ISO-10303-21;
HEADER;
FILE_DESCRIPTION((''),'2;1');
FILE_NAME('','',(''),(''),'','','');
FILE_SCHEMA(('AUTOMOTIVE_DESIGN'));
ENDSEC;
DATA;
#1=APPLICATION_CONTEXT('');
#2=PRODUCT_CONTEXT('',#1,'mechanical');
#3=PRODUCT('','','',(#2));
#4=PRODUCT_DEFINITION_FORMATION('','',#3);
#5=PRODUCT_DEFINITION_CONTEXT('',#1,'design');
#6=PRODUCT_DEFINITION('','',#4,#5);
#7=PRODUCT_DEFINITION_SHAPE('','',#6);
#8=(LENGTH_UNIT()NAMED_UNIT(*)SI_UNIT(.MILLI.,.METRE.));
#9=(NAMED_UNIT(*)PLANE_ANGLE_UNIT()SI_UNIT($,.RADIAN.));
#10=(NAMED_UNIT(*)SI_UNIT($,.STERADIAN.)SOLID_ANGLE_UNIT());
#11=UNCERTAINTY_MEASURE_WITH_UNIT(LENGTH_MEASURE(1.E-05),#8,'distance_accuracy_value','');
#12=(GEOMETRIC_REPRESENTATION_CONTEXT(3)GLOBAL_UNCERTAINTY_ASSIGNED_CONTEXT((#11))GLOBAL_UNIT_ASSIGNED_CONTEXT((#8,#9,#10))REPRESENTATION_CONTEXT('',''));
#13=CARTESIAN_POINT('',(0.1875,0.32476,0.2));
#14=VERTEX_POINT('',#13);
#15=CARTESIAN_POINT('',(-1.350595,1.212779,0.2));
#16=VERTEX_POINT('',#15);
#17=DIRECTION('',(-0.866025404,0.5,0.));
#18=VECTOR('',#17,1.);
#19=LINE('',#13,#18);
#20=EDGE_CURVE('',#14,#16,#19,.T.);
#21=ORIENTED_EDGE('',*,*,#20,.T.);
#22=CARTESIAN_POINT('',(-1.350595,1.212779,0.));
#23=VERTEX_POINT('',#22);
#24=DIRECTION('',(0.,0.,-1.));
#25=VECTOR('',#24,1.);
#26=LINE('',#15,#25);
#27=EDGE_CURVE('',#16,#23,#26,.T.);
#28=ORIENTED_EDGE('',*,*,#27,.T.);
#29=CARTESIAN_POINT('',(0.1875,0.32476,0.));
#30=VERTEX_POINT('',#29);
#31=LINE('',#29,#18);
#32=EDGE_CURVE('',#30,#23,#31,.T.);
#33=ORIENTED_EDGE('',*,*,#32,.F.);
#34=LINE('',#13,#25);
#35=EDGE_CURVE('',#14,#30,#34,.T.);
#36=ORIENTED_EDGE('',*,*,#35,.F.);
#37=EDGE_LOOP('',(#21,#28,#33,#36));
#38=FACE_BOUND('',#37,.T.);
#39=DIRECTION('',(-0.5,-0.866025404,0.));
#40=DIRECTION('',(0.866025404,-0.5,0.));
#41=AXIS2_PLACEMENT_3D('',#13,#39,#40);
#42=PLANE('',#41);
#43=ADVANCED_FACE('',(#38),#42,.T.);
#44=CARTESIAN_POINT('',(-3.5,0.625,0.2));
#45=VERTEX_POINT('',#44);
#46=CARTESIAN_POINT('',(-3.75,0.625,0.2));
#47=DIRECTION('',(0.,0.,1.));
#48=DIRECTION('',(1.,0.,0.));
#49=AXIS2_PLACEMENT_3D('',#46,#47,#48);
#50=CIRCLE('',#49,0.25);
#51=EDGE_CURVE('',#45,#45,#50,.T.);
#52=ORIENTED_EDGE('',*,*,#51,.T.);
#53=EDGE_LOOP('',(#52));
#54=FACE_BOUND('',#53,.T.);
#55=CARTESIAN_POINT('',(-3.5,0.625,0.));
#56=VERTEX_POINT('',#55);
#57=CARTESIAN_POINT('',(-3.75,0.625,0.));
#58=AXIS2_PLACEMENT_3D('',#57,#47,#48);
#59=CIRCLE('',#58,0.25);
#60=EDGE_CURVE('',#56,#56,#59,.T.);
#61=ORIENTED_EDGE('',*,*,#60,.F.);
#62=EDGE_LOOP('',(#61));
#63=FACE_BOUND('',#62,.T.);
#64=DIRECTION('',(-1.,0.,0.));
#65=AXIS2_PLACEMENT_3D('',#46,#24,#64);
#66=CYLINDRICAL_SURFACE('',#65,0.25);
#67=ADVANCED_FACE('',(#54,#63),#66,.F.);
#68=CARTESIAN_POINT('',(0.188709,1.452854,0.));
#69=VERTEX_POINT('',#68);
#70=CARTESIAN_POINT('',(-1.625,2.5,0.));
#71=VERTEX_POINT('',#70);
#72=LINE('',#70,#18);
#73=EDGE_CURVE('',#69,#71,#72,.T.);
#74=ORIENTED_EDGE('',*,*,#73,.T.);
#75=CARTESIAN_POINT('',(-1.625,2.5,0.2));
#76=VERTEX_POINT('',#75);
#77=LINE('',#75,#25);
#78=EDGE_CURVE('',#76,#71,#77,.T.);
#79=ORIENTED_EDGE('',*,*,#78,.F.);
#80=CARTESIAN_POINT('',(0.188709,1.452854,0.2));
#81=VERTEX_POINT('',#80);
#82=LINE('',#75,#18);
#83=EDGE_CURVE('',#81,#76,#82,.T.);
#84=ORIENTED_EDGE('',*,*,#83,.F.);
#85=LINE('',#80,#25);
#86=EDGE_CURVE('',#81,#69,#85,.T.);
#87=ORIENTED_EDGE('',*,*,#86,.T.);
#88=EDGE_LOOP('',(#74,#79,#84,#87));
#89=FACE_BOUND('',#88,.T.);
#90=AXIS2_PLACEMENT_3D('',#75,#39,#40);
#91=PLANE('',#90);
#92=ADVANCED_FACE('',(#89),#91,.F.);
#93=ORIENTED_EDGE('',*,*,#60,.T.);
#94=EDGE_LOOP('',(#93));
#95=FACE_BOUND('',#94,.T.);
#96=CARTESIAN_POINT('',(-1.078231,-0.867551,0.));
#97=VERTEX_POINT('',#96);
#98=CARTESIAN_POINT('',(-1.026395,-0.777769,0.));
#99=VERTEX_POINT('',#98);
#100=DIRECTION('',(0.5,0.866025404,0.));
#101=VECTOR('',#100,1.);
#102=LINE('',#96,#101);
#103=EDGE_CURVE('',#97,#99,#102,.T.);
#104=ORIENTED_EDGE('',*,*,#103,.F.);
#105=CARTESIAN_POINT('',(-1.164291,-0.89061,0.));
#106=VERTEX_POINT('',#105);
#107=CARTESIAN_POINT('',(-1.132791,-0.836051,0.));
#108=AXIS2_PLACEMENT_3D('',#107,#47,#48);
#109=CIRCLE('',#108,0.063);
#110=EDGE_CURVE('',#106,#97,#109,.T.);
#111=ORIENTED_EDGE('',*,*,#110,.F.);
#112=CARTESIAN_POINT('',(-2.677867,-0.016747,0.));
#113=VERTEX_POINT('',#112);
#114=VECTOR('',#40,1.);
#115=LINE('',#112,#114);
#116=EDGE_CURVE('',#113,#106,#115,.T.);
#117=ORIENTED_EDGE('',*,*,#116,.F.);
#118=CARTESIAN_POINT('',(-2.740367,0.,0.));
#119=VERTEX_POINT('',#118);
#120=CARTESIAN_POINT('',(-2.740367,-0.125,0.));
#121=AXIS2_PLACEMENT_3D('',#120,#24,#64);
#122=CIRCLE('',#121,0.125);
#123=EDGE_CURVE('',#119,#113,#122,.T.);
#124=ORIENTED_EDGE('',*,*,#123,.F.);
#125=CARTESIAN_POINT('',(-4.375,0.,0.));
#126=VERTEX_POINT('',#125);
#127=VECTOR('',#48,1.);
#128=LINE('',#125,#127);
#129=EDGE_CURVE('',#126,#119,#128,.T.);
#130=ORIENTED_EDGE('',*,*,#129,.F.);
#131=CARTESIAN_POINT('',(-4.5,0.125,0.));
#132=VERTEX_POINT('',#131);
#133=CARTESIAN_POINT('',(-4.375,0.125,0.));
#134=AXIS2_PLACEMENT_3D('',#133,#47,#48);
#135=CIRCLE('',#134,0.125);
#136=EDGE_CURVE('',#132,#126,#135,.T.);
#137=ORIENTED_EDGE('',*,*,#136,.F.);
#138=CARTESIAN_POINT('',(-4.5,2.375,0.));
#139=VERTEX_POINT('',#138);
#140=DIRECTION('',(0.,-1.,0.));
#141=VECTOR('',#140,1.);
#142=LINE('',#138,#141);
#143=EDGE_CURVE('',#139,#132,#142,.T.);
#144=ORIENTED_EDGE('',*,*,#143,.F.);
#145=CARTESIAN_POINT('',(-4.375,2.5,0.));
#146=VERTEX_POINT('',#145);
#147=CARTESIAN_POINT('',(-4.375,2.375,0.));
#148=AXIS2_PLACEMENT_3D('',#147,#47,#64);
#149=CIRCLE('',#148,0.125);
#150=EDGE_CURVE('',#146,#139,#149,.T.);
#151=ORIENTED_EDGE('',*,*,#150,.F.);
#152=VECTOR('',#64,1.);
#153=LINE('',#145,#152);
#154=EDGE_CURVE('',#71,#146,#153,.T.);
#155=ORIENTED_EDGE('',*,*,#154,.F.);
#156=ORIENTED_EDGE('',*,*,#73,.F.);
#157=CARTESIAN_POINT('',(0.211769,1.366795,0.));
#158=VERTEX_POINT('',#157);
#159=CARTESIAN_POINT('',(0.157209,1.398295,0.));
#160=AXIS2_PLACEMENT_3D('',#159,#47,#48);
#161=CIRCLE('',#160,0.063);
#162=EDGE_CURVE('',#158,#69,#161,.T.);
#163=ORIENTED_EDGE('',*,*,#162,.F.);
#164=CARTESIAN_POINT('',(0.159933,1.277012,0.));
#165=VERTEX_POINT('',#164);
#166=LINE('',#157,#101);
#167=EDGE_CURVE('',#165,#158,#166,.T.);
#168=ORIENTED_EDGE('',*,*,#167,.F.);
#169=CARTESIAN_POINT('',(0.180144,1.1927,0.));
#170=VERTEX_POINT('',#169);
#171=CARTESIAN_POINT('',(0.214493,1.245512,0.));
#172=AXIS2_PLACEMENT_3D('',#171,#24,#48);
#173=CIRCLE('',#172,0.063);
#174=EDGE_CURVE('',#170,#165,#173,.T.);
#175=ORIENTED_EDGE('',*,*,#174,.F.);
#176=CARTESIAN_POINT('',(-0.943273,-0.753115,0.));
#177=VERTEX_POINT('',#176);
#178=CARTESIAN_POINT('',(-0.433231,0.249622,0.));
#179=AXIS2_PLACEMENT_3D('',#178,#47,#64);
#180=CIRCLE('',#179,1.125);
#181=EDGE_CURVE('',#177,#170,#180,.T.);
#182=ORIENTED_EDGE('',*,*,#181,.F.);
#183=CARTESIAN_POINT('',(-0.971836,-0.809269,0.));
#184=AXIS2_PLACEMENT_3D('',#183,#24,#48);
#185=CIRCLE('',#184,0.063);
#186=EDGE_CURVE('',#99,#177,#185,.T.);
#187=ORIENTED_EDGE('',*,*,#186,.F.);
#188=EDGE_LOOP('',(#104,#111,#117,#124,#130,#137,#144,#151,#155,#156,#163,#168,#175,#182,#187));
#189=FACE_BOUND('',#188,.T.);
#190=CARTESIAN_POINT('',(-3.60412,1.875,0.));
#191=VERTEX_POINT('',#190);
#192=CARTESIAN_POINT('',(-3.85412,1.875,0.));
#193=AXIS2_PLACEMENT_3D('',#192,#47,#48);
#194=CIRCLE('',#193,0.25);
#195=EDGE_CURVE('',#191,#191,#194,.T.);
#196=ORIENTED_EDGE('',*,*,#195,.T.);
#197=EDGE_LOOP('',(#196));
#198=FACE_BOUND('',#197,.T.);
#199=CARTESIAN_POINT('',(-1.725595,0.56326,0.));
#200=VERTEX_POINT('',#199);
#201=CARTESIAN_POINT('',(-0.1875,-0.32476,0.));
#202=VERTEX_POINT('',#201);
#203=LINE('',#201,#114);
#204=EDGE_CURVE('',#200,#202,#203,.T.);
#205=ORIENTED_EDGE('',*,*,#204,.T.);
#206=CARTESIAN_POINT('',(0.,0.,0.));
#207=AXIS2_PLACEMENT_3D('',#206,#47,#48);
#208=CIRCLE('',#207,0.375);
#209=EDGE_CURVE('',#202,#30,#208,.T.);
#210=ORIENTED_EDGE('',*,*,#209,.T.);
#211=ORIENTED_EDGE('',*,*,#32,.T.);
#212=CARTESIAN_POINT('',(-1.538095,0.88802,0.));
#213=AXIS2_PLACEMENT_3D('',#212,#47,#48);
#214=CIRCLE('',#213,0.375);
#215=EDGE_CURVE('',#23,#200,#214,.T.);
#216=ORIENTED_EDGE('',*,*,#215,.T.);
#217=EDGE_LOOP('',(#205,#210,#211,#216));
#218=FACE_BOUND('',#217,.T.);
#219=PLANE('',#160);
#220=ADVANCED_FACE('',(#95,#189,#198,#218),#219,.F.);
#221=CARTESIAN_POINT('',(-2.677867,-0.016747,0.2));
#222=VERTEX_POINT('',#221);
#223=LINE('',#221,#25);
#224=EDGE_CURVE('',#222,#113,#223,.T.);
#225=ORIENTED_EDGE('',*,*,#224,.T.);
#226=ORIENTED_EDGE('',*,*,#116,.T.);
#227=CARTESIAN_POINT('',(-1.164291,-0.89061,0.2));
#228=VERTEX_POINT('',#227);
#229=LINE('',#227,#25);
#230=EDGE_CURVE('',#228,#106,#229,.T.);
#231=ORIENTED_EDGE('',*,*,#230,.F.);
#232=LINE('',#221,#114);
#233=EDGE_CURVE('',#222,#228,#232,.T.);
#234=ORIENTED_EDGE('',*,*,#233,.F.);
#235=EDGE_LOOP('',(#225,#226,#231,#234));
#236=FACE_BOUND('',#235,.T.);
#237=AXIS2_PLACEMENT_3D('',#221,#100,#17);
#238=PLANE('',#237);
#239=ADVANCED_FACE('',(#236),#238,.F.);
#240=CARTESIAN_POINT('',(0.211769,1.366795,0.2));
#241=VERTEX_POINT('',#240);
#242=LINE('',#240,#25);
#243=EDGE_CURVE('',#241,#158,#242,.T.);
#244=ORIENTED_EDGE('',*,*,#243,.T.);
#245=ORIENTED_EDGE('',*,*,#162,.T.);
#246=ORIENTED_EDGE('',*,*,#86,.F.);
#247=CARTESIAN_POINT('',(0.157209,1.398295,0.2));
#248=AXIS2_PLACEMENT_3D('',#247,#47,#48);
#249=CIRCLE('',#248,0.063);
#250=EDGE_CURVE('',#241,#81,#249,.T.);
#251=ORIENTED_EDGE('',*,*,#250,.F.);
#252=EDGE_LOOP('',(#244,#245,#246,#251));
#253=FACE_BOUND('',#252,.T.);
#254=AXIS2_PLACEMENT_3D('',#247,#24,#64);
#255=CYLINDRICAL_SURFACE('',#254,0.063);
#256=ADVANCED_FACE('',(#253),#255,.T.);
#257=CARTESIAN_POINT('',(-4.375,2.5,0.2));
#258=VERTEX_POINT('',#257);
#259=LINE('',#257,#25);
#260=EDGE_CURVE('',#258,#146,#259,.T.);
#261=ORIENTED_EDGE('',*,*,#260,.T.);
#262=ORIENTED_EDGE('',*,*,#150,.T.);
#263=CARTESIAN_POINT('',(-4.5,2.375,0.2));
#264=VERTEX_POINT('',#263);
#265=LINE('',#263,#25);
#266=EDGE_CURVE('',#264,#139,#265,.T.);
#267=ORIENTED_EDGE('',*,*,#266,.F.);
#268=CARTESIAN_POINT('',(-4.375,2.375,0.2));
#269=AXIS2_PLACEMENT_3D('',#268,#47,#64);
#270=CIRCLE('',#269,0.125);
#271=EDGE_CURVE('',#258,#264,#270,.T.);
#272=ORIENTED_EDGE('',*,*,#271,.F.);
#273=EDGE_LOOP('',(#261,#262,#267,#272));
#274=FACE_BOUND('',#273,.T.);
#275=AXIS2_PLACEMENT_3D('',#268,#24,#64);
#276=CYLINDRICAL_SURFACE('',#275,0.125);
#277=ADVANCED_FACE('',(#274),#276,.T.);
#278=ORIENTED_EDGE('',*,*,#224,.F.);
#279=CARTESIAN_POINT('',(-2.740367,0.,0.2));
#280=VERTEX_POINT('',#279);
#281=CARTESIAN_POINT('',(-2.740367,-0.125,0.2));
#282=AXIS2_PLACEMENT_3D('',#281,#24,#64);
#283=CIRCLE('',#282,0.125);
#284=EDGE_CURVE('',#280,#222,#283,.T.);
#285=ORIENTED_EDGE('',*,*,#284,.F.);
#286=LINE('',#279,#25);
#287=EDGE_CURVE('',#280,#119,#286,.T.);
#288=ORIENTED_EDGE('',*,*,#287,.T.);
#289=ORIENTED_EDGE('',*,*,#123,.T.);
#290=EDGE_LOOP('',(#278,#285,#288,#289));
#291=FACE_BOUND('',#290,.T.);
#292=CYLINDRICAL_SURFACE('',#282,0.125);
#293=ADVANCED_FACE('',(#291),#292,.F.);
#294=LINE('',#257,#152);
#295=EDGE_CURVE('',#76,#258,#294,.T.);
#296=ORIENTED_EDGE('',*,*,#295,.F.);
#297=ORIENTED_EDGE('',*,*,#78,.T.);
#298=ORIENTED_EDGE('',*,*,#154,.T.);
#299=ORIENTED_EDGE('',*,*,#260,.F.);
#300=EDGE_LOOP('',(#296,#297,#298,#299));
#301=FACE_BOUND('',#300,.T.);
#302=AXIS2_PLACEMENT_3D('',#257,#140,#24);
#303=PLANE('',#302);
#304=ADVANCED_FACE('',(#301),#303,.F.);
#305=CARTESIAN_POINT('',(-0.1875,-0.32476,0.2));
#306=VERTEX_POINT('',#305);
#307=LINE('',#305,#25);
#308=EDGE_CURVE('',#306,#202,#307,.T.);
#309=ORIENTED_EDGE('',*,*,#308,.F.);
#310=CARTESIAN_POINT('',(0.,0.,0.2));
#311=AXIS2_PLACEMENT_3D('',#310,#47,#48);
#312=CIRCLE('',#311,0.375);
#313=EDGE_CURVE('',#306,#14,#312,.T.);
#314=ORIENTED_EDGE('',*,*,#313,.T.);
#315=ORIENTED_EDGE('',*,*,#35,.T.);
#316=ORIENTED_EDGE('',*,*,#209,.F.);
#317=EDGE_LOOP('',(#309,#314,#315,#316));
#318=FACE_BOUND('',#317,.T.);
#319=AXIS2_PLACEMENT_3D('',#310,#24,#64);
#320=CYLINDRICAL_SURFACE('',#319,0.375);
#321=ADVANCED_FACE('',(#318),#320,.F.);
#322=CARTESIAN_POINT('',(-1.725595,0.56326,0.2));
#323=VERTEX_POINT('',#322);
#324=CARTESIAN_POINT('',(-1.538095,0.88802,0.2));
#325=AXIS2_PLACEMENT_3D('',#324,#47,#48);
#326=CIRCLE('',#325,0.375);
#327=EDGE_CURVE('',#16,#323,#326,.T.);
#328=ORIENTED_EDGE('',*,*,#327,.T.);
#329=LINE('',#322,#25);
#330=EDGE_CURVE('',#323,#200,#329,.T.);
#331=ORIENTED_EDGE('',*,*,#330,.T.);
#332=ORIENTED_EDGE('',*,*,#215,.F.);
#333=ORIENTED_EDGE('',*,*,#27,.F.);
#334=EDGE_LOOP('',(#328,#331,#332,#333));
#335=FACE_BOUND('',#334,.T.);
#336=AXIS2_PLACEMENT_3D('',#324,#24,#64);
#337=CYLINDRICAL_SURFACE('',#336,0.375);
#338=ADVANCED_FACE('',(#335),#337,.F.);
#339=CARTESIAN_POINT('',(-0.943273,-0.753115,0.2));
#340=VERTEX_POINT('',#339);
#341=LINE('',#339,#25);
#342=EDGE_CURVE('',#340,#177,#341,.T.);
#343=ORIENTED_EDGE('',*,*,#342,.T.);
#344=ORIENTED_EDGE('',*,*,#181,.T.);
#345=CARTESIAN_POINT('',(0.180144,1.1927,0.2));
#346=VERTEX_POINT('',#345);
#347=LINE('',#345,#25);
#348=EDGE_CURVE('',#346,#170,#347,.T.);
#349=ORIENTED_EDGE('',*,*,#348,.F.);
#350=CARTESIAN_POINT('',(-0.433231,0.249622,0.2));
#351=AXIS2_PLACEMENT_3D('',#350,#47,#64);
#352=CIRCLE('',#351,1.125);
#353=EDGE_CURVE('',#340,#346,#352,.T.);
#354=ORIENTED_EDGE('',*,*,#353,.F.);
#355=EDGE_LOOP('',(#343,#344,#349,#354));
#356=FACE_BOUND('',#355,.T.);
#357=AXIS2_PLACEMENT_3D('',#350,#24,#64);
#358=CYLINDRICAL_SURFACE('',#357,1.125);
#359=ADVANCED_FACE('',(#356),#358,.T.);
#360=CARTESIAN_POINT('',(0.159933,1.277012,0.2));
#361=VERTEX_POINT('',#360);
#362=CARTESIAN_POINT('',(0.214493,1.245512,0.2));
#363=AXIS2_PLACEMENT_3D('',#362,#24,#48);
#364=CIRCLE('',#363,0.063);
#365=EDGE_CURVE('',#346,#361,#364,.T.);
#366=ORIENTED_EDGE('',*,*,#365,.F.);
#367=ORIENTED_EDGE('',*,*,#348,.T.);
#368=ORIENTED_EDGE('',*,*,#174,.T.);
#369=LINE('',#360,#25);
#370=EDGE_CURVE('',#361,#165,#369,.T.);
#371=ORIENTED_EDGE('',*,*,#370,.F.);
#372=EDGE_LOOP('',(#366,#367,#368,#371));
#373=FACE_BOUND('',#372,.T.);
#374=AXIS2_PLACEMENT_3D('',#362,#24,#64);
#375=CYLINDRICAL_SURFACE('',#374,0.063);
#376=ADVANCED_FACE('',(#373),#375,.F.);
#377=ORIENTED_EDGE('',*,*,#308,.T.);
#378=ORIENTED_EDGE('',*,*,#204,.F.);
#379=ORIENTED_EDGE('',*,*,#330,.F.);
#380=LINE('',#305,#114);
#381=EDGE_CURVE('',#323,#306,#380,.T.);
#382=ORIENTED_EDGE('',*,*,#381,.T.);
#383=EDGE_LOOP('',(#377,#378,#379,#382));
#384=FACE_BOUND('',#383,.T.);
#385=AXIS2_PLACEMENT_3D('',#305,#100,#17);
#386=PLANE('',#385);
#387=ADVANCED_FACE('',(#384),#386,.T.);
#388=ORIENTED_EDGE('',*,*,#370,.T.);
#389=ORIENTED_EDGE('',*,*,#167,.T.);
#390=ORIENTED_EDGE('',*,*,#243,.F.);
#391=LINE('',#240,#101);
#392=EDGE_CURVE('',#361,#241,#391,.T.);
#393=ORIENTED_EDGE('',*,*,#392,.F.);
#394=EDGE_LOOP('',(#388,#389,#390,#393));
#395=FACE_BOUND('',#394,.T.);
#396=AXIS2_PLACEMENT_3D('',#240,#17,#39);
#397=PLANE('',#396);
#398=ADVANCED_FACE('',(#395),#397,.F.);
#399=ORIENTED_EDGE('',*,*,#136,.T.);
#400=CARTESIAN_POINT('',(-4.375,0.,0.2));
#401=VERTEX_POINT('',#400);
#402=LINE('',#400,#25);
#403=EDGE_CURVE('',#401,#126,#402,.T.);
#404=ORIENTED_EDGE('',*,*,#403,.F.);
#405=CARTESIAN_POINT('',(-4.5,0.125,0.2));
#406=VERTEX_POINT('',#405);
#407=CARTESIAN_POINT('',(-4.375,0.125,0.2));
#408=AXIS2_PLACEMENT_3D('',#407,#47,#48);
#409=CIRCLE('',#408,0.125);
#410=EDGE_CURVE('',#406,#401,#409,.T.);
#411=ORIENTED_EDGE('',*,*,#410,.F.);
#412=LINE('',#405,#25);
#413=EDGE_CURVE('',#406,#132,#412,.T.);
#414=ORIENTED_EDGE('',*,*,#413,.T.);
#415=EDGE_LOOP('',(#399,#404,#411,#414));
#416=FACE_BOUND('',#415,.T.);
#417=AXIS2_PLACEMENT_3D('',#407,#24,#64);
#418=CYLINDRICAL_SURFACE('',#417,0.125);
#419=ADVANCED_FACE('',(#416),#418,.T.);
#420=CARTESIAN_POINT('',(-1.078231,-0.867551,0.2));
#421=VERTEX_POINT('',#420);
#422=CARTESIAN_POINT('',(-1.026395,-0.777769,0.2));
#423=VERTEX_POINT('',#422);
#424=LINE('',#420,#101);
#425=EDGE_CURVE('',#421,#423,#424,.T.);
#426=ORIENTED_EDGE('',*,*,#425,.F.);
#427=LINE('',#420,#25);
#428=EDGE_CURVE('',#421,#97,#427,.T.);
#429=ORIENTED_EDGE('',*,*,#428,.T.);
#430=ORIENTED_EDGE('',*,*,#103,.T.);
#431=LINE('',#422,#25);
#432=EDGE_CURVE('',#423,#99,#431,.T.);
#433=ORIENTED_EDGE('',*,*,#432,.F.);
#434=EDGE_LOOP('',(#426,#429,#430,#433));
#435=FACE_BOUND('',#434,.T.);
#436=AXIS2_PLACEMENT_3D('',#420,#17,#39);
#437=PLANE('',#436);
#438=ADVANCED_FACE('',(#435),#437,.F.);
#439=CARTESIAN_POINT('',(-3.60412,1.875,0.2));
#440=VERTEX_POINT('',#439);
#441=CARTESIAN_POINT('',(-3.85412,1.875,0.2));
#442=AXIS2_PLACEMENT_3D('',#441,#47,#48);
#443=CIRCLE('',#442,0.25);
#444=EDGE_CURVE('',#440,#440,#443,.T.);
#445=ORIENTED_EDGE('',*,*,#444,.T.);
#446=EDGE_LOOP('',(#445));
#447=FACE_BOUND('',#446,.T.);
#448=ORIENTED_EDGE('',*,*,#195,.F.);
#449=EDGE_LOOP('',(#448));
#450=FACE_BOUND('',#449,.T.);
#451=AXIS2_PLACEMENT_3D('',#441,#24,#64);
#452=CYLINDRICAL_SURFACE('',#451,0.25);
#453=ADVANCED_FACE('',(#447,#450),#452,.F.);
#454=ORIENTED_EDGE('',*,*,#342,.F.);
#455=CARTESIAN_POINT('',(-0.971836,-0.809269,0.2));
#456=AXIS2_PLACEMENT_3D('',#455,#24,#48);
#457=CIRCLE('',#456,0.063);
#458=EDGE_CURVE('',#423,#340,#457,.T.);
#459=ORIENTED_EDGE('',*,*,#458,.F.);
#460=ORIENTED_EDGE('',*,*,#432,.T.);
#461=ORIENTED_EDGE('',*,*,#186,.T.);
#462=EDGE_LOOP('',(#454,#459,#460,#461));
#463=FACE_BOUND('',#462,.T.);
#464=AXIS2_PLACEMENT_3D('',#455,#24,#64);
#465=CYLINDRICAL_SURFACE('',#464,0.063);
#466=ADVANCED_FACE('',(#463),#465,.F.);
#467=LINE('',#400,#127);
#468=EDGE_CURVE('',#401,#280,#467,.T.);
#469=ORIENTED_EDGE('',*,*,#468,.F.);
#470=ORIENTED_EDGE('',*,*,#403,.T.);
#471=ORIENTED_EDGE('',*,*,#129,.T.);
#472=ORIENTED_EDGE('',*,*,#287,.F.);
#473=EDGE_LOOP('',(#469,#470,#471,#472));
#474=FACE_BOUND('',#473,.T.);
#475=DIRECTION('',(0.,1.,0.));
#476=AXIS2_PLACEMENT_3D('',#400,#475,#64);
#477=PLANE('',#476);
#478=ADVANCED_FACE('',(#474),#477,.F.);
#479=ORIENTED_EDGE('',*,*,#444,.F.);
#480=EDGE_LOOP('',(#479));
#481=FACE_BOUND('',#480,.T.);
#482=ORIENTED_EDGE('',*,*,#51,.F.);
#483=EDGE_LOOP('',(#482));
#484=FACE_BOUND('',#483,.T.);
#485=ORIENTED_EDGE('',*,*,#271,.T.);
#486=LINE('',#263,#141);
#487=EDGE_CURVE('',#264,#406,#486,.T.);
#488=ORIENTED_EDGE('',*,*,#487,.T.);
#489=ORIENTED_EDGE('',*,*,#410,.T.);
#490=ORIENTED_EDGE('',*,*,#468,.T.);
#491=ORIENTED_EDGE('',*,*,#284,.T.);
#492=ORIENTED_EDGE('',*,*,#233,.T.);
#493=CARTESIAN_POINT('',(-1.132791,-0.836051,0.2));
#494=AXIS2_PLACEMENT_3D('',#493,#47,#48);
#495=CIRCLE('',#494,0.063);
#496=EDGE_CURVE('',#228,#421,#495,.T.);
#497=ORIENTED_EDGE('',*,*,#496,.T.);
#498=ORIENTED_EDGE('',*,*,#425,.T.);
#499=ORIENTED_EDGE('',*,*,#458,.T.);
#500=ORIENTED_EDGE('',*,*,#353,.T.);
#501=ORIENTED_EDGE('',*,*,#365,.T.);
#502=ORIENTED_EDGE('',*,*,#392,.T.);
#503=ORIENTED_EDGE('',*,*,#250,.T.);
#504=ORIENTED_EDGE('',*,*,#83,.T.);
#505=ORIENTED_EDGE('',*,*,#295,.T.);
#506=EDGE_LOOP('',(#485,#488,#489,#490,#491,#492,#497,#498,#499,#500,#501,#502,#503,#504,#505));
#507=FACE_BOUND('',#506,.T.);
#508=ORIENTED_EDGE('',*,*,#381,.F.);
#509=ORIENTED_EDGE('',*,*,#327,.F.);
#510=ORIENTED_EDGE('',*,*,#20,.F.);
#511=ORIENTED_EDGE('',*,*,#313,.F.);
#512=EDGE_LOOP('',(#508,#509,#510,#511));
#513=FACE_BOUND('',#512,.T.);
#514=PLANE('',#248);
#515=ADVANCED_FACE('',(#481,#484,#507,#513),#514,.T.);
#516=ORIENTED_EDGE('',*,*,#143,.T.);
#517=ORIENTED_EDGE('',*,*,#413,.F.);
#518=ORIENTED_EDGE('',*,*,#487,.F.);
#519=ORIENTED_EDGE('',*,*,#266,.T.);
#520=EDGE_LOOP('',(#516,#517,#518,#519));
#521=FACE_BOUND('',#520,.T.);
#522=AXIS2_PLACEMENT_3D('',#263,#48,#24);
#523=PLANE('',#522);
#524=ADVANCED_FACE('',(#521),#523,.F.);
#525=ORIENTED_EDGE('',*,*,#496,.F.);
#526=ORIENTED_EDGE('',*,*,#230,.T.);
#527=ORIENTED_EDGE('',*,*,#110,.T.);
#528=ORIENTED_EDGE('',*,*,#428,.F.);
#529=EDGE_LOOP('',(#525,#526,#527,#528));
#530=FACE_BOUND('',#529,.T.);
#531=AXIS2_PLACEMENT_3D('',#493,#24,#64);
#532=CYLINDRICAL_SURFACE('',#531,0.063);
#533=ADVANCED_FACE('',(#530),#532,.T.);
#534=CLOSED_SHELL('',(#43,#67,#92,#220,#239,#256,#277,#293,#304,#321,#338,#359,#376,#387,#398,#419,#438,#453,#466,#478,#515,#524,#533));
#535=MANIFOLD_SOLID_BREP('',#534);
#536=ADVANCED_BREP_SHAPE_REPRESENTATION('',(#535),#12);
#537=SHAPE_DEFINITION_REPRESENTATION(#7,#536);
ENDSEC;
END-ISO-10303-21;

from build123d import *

# Parameters (mm, degrees)
SKETCH1_R           = 0.25
BOSS_EXTRUDE5_DEPTH = 0.2


with BuildPart() as part:
    # Sketch1 → Boss-Extrude5 (new body)
    with BuildSketch(Plane.XY):
        with BuildLine():
            Line((-4.5, 2.375), (-4.5, 0.125))
            ThreePointArc((-4.5, 0.125), (-4.463388348, 0.036611652), (-4.375, 0))
            Line((-4.375, 0), (-2.74036663, 0))
            ThreePointArc((-2.74036663, 0), (-2.708014249, -0.004259272), (-2.67786663, -0.016746825))
            Line((-2.67786663, -0.016746825), (-1.164290548, -0.890610383))
            ThreePointArc((-1.164290548, -0.890610383), (-1.116484948, -0.89690411), (-1.078230947, -0.867550783))
            Line((-1.078230947, -0.867550783), (-1.026395132, -0.777768517))
            ThreePointArc((-1.026395132, -0.777768517), (-0.989749497, -0.748869098), (-0.943273167, -0.753115233))
            ThreePointArc((-0.943273167, -0.753115233), (0.541047632, -0.312878012), (0.180143849, 1.192700118))
            ThreePointArc((0.180143849, 1.192700118), (0.153228424, 1.230826733), (0.159933238, 1.277012493))
            Line((0.159933238, 1.277012493), (0.211769053, 1.366794759))
            ThreePointArc((0.211769053, 1.366794759), (0.218062779, 1.414600359), (0.188709452, 1.452854359))
            Line((0.188709452, 1.452854359), (-1.625, 2.5))
            Line((-1.625, 2.5), (-4.375, 2.5))
            ThreePointArc((-4.375, 2.5), (-4.463388348, 2.463388348), (-4.5, 2.375))
        make_face()
        with Locations((-3.854119775, 1.875)):
            Circle(SKETCH1_R, mode=Mode.SUBTRACT)
        with Locations((-3.75, 0.625)):
            Circle(SKETCH1_R, mode=Mode.SUBTRACT)
        with BuildLine():
            Line((-0.1875, -0.324759526), (-1.725595036, 0.563260057))
            ThreePointArc((-1.725595036, 0.563260057), (-1.862854562, 1.075519583), (-1.350595036, 1.212779109))
            Line((-1.350595036, 1.212779109), (0.1875, 0.324759526))
            ThreePointArc((0.1875, 0.324759526), (0.324759526, -0.1875), (-0.1875, -0.324759526))
        make_face(mode=Mode.SUBTRACT)
    extrude(amount=BOSS_EXTRUDE5_DEPTH)


solid = part.part
